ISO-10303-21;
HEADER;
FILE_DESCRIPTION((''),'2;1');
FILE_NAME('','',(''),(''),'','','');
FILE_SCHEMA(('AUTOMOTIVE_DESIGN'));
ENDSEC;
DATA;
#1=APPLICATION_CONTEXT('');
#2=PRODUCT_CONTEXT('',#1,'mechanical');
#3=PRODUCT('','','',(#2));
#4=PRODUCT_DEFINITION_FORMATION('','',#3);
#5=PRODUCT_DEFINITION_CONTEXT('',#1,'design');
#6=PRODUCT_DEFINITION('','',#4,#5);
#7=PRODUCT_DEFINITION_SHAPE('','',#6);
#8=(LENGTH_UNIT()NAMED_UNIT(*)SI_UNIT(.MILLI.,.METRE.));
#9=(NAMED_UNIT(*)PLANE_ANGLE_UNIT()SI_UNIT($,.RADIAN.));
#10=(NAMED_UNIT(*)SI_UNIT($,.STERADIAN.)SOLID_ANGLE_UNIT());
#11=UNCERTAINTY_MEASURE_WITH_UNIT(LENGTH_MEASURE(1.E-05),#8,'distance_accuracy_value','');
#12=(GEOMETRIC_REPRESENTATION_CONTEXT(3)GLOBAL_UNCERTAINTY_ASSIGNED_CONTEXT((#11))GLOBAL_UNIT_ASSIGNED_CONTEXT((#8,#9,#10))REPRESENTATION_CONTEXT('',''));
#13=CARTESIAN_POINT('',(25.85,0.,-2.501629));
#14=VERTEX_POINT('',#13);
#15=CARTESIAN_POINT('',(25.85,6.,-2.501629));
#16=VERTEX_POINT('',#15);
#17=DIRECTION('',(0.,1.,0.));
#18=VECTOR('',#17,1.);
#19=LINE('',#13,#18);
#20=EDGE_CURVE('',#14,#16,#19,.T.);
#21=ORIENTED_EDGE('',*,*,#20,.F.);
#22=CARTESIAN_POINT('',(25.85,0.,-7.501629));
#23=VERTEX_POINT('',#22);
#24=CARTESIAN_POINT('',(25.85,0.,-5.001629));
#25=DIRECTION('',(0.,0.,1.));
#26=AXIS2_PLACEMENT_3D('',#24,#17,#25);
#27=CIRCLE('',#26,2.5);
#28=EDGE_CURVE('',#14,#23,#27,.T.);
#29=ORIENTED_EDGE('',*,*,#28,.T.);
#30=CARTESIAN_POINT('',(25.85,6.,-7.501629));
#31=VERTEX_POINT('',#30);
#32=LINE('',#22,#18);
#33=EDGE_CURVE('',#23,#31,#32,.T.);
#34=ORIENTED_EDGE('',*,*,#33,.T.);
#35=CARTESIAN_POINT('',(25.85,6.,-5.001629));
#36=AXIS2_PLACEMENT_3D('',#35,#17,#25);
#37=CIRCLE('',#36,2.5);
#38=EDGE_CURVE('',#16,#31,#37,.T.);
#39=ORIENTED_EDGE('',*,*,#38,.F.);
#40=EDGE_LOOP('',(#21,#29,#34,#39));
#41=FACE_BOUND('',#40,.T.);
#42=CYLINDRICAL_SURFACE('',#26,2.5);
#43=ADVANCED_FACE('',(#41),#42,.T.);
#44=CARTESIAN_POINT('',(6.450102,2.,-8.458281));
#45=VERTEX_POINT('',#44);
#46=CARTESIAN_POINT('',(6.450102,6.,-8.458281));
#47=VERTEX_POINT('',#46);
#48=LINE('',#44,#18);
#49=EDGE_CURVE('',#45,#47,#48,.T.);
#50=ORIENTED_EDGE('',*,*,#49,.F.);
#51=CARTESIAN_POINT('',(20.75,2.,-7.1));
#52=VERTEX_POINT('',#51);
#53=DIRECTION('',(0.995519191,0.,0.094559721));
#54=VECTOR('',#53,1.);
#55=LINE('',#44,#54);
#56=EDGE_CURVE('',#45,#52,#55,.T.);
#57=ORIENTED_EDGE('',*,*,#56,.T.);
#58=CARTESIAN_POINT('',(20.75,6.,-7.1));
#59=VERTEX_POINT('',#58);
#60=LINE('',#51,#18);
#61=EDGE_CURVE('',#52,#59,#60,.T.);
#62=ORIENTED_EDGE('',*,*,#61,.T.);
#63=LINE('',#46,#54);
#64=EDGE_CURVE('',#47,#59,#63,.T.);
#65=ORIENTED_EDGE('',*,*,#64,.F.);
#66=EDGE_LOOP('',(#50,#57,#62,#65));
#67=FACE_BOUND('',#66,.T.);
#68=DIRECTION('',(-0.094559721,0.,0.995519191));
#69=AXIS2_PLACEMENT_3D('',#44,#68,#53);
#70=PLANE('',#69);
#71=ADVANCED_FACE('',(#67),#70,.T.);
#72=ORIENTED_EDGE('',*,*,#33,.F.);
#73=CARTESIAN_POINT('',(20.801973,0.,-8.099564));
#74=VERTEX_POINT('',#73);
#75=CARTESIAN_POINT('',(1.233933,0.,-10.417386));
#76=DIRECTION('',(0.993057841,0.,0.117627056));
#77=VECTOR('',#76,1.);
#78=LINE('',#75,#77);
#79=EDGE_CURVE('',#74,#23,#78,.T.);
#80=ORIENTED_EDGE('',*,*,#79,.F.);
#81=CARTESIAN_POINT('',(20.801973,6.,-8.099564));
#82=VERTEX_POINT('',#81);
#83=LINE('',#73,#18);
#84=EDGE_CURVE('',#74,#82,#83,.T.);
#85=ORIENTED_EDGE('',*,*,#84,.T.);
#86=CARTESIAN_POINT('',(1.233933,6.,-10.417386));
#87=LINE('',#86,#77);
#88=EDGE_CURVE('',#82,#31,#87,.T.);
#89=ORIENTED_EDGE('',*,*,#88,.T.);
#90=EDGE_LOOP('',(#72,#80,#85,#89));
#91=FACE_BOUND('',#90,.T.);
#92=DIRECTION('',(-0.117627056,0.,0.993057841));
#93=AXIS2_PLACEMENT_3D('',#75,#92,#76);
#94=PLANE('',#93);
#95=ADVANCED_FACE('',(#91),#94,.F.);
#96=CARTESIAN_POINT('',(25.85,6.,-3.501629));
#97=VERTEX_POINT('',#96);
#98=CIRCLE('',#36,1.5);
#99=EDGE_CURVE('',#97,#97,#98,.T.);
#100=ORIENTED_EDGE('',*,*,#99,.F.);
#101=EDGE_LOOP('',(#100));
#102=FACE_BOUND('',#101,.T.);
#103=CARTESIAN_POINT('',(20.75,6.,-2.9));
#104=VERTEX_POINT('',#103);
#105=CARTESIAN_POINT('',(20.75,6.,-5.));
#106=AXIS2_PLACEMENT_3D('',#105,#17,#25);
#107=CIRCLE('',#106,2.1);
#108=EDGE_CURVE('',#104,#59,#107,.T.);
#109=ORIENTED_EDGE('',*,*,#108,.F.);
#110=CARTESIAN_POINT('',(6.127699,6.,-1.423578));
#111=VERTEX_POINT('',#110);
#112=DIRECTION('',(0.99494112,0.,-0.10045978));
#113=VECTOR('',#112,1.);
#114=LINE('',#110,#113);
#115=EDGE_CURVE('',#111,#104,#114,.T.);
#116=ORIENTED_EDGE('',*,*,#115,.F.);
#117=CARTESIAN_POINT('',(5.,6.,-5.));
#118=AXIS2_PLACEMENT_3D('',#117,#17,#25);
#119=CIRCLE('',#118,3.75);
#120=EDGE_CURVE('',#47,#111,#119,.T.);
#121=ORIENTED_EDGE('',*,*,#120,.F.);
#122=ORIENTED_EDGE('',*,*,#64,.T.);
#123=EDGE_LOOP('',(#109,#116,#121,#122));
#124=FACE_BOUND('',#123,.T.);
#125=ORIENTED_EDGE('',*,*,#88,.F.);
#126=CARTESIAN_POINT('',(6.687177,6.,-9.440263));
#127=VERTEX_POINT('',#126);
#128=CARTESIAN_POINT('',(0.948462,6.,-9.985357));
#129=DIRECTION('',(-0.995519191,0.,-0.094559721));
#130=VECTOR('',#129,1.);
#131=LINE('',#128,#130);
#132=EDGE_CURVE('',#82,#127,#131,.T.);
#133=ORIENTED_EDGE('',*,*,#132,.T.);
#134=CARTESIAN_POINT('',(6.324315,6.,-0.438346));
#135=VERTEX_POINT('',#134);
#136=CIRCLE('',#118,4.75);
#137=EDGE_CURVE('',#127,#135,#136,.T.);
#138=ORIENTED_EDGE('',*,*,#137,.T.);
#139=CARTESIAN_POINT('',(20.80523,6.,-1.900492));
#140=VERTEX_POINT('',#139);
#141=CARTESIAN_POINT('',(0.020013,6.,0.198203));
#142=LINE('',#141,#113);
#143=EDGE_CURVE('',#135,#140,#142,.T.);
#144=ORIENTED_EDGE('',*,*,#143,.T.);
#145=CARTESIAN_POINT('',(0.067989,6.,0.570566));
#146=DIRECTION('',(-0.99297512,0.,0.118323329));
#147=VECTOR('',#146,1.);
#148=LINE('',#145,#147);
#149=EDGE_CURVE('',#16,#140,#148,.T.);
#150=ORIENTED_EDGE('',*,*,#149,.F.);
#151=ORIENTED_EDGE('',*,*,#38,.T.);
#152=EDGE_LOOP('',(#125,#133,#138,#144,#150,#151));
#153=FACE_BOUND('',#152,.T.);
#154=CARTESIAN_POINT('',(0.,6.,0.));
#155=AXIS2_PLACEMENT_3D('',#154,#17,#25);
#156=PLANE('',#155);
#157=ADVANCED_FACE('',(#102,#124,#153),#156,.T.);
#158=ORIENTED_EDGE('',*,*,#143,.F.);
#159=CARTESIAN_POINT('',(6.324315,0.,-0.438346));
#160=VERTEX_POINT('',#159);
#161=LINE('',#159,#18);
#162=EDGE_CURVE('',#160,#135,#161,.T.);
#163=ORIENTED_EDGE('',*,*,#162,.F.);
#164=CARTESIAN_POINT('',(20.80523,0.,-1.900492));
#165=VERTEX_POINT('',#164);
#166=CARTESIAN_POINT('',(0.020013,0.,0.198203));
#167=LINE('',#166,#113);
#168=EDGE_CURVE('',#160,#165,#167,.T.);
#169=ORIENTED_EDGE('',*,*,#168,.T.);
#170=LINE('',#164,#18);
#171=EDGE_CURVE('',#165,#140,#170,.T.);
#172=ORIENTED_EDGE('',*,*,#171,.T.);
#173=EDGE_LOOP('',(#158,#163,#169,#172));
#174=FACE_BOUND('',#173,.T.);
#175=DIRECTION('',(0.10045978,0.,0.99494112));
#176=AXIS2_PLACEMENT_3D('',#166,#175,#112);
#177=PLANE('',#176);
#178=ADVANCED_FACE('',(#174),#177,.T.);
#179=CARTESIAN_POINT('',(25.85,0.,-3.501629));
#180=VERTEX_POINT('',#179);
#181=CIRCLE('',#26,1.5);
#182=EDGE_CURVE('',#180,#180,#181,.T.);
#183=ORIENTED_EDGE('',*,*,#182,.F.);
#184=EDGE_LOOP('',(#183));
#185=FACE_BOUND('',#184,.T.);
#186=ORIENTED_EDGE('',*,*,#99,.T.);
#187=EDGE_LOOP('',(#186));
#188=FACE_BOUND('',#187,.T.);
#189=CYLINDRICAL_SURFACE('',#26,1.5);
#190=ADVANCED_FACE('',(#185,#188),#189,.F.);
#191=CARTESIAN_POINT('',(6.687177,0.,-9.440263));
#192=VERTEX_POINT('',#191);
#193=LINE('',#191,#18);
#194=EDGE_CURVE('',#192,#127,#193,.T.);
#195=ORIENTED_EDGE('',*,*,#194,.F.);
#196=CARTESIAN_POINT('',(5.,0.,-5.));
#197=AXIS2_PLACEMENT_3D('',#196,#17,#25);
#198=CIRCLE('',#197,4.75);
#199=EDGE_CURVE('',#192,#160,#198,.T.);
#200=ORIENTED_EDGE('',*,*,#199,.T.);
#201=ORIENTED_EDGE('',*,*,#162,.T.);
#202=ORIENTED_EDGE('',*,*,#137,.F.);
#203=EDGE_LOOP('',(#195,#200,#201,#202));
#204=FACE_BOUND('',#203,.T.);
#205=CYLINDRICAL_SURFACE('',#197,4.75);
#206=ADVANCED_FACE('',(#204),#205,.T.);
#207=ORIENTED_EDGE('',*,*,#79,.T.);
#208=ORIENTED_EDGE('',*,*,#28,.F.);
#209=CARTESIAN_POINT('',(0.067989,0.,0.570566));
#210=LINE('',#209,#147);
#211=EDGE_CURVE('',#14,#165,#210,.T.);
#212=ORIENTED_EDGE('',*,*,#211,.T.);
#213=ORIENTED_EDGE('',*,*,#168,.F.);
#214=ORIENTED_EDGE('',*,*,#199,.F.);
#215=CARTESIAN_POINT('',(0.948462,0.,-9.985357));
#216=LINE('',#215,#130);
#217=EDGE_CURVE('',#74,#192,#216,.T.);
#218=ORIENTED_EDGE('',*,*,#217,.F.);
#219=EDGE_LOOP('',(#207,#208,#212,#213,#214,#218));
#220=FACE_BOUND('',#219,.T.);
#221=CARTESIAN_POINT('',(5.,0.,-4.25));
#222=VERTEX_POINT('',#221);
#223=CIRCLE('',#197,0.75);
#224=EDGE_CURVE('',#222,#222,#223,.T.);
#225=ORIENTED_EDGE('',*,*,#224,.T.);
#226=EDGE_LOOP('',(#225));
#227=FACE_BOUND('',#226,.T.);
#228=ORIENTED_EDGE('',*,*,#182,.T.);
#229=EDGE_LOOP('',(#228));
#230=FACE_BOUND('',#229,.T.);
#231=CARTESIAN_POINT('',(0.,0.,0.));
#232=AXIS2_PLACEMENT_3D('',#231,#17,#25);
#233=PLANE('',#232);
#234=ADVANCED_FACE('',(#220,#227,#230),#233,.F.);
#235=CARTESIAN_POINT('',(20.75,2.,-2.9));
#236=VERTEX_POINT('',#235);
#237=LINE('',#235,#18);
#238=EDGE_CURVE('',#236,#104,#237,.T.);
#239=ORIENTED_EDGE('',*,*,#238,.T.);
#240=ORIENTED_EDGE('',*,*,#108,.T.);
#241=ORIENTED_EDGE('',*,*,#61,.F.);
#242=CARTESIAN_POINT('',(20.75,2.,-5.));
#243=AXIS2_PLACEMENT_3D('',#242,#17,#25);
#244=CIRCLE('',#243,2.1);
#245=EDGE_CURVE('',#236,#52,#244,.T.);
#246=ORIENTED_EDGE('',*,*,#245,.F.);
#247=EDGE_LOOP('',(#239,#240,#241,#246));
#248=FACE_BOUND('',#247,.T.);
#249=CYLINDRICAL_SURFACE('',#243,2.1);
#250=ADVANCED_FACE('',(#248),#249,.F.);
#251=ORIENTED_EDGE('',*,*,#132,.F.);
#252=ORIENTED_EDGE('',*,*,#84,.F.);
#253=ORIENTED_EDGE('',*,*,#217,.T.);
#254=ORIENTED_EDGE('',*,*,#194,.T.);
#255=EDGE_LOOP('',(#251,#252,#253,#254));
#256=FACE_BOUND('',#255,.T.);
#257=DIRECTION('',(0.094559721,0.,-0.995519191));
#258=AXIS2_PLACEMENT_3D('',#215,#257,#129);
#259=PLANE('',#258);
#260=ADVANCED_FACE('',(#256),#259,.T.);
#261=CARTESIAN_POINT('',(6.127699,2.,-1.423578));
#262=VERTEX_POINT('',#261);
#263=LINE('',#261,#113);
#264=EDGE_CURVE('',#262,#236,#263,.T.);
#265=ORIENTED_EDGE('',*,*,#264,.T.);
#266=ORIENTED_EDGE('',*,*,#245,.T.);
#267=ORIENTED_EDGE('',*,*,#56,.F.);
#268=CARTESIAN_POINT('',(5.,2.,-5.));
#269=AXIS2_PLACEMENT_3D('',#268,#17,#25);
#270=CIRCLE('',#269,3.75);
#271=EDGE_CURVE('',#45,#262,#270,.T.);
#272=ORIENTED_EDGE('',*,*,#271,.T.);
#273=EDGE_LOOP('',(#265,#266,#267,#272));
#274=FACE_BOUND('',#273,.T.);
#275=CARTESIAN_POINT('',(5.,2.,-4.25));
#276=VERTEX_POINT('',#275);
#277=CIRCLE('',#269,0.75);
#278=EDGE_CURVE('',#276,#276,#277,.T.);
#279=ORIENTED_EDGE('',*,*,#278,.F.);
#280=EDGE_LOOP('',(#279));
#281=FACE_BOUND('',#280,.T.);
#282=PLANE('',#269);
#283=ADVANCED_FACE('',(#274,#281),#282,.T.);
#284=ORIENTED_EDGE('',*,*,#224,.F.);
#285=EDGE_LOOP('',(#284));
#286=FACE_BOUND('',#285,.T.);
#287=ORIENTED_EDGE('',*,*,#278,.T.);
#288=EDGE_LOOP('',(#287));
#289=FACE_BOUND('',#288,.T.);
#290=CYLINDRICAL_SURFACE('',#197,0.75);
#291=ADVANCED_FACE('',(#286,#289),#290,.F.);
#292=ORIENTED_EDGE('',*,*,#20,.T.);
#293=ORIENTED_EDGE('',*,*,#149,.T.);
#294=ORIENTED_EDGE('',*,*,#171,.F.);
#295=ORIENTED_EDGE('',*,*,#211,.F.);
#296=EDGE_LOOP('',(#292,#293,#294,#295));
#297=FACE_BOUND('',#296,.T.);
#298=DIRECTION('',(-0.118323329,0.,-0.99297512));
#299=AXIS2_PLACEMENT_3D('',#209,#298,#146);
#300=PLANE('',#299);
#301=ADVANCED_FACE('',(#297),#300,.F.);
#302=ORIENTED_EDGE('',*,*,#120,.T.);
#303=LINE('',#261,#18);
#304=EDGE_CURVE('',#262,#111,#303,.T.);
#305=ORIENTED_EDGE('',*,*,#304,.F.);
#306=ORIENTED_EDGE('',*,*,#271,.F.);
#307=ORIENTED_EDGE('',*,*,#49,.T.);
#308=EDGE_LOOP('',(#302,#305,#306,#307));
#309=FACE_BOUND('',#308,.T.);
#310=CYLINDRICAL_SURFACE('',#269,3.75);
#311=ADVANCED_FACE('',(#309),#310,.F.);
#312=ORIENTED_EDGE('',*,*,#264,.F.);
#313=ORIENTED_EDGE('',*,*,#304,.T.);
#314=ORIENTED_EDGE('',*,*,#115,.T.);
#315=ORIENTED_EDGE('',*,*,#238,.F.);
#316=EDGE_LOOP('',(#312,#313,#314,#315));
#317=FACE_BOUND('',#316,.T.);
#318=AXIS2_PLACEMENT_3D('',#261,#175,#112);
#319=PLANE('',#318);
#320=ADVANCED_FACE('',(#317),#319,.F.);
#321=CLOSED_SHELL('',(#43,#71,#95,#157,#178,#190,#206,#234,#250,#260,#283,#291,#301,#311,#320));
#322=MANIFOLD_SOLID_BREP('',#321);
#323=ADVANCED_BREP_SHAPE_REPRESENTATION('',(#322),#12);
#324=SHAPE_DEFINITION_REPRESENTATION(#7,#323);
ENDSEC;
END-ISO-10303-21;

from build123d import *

# Parameters (mm, degrees)
SKETCH2_W           = 30
SKETCH2_H           = 10
BOSS_EXTRUDE3_DEPTH = 6
CUT_EXTRUDE2_DEPTH  = 4
SKETCH5_W           = 30
SKETCH5_H           = 10
CUT_EXTRUDE3_DEPTH  = 33.186953879
SKETCH6_R           = 1.5
CUT_EXTRUDE4_DEPTH  = 31.574253478
SKETCH7_R           = 0.75
CUT_EXTRUDE5_DEPTH  = 31.245412474


with BuildPart() as part:
    # Sketch2 → Boss-Extrude3 (new body)
    with BuildSketch(Plane(origin=(0, 0, 0), x_dir=(1, 0, 0), z_dir=(0, 1, 0))):
        with Locations((15, 5)):
            Rectangle(SKETCH2_W, SKETCH2_H)
    extrude(amount=BOSS_EXTRUDE3_DEPTH)

    # Sketch3 → Cut-Extrude2 (cut)
    with BuildSketch(Plane(origin=(0, 6, 0), x_dir=(1, 0, 0), z_dir=(0, 1, 0))):
        with BuildLine():
            Line((6.127698587, 1.42357778), (20.75, 2.9))
            ThreePointArc((20.75, 2.9), (22.85, 5), (20.75, 7.1))
            Line((20.75, 7.1), (6.45010187, 8.45828058))
            ThreePointArc((6.45010187, 8.45828058), (1.253932106, 5.171683811), (6.127698587, 1.42357778))
        make_face()
    extrude(amount=-CUT_EXTRUDE2_DEPTH, mode=Mode.SUBTRACT)

    # Sketch5 → Cut-Extrude3 (cut, through all)
    with BuildSketch(Plane(origin=(0, 6, 0), x_dir=(1, 0, 0), z_dir=(0, 1, 0))):
        with Locations((15, 5)):
            Rectangle(SKETCH5_W, SKETCH5_H)
        with BuildLine():
            Line((20.801973147, 8.099564291), (25.849999572, 7.501628842))
            ThreePointArc((25.849999572, 7.501628842), (28.349999572, 5.001628842), (25.849999572, 2.501628842))
            Line((25.849999572, 2.501628842), (20.805230344, 1.900492038))
            Line((20.805230344, 1.900492038), (6.324314639, 0.438345614))
            ThreePointArc((6.324314639, 0.438345614), (0.25385432, 5.191314364), (6.687176675, 9.440262928))
            Line((6.687176675, 9.440262928), (20.801973147, 8.099564291))
        make_face(mode=Mode.SUBTRACT)
    extrude(amount=-CUT_EXTRUDE3_DEPTH, mode=Mode.SUBTRACT)

    # Sketch6 → Cut-Extrude4 (cut, through all)
    with BuildSketch(Plane(origin=(0, 6, 0), x_dir=(1, 0, 0), z_dir=(0, 1, 0))):
        with Locations(Location((25.849999572, 5.001628842, 0), (0, 0, 270))):
            Circle(SKETCH6_R)
    extrude(amount=-CUT_EXTRUDE4_DEPTH, mode=Mode.SUBTRACT)

    # Sketch7 → Cut-Extrude5 (cut, through all)
    with BuildSketch(Plane(origin=(0, 2, 0), x_dir=(1, 0, 0), z_dir=(0, 1, 0))):
        with Locations(Location((5, 5, 0), (0, 0, 270))):
            Circle(SKETCH7_R)
    extrude(amount=-CUT_EXTRUDE5_DEPTH, mode=Mode.SUBTRACT)


solid = part.part
